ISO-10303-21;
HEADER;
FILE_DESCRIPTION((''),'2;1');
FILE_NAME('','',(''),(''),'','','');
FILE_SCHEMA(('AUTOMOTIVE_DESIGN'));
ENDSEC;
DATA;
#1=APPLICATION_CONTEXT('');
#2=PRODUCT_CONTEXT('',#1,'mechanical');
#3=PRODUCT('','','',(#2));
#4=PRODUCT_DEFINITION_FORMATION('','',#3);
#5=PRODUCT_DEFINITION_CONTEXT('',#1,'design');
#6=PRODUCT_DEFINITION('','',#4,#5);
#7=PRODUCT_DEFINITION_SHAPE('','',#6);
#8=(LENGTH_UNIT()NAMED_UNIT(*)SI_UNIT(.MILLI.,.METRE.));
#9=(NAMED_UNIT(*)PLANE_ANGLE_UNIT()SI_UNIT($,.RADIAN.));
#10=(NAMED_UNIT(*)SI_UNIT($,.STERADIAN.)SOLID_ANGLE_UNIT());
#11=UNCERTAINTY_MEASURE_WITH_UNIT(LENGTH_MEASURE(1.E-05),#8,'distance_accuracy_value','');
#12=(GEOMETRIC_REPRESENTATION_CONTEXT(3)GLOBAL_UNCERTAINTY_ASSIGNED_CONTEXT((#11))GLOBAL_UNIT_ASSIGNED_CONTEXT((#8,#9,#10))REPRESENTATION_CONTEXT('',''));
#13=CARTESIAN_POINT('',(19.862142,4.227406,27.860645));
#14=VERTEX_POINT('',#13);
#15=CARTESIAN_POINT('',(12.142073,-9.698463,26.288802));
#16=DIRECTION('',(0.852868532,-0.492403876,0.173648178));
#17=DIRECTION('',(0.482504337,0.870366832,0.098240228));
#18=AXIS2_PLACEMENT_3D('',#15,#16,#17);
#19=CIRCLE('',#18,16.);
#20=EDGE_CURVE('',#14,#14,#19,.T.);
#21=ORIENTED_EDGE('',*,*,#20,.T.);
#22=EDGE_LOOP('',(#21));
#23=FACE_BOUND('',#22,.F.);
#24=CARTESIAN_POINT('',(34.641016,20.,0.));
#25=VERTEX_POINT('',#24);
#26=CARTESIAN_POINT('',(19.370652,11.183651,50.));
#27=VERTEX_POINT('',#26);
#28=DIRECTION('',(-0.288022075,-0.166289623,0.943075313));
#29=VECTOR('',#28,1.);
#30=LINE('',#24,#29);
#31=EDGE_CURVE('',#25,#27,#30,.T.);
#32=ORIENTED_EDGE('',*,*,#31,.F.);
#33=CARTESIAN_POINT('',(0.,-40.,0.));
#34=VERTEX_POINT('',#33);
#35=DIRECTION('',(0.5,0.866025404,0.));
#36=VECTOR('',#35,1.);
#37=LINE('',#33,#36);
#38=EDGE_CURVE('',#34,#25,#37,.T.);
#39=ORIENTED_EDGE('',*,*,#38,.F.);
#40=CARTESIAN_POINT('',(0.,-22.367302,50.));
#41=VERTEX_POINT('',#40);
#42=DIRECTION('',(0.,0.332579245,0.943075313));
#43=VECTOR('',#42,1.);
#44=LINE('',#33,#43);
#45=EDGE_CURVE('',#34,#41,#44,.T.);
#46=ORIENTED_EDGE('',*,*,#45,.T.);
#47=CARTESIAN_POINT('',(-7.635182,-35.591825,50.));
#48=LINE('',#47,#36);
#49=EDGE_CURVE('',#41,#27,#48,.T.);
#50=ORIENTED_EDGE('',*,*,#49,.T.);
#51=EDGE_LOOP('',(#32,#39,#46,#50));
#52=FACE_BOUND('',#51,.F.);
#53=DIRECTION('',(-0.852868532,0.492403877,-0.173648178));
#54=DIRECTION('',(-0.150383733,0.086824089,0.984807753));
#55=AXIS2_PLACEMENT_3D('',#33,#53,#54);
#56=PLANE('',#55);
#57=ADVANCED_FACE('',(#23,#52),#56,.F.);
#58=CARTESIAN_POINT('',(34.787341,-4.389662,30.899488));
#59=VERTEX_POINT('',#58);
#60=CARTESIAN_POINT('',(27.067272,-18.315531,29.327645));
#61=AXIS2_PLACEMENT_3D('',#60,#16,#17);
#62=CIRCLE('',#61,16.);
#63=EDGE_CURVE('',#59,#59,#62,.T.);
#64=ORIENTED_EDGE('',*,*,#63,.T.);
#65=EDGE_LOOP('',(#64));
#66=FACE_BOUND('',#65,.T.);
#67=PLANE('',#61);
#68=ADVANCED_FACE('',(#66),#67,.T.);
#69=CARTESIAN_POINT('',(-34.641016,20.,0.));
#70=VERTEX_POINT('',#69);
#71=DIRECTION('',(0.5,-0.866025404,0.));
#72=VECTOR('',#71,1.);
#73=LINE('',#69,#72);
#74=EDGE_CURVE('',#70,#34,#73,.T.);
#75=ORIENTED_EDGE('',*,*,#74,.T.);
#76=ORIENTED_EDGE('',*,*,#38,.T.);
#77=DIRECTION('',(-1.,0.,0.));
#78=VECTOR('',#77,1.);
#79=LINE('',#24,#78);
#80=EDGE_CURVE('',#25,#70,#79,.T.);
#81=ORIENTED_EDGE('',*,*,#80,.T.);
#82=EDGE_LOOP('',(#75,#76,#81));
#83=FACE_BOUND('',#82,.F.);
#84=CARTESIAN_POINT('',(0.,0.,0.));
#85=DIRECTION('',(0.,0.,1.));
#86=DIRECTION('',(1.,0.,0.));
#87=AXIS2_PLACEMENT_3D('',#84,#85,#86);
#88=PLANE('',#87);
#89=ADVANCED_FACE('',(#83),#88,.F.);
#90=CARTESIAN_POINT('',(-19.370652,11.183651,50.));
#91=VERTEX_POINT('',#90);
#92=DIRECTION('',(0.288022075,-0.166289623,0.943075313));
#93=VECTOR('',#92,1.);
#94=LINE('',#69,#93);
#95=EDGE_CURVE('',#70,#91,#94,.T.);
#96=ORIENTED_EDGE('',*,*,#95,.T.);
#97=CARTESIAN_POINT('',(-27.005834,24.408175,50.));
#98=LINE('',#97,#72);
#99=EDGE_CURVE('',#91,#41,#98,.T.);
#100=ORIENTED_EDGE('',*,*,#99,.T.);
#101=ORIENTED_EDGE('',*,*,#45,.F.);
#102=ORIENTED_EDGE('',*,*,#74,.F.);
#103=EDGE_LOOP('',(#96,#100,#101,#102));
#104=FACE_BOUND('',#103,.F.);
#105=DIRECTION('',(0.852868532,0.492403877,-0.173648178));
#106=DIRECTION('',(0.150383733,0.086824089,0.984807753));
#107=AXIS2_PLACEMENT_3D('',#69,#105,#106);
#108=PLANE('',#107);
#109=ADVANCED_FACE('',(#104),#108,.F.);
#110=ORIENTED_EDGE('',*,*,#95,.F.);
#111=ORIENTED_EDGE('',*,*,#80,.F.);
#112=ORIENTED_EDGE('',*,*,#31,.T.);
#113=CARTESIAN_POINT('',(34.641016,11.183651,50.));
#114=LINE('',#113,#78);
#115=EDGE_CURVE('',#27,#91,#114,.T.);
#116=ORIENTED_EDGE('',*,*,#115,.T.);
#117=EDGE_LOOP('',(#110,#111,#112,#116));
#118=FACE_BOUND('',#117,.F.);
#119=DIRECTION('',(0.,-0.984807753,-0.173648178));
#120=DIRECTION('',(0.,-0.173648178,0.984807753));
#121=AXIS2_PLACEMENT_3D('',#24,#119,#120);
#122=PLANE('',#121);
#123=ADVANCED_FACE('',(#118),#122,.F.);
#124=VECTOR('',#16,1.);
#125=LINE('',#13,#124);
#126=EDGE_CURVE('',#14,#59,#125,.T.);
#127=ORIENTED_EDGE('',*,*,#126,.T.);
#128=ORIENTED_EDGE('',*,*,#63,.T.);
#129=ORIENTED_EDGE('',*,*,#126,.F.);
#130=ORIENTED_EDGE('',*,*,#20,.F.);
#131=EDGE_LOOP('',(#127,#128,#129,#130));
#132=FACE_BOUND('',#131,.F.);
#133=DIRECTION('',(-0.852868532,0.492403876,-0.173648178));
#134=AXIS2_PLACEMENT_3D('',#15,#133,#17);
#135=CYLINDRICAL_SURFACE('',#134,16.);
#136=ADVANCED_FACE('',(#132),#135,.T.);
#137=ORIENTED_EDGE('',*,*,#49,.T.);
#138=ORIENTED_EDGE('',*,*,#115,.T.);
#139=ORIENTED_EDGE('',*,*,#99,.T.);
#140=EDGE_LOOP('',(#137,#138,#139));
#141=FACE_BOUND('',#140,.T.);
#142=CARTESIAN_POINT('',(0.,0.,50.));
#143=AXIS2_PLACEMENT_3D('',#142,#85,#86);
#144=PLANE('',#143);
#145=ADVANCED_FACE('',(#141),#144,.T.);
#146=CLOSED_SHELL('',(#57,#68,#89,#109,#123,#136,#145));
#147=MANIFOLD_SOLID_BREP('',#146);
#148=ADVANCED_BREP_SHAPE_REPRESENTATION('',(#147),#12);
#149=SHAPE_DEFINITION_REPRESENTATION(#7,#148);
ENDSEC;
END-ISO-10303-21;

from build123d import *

# Parameters (mm, degrees)
F1_DEPTH = 50
F1_TAPER = 10
F3_R     = 16
F4_DEPTH = 17.5


with BuildPart() as f1:
    # F0 (on Top) → F1 (new body)
    with BuildSketch(Plane.XY):
        Polygon((34.6410161514, 20), (-34.6410161514, 20), (0, -40), align=None)
    extrude(amount=F1_DEPTH, taper=F1_TAPER)

    # F3 (on face) → F4 (join)
    with BuildSketch(Plane(origin=(16.7982308513, -9.6984631039, 3.4202014333), x_dir=(0.482504337, 0.8703668321, 0.0982402278), z_dir=(0.852868532, -0.4924038765, 0.1736481777))):
        with Locations((0, 23.3377951712)):
            Circle(F3_R)
    extrude(amount=F4_DEPTH)


solid = f1.part
